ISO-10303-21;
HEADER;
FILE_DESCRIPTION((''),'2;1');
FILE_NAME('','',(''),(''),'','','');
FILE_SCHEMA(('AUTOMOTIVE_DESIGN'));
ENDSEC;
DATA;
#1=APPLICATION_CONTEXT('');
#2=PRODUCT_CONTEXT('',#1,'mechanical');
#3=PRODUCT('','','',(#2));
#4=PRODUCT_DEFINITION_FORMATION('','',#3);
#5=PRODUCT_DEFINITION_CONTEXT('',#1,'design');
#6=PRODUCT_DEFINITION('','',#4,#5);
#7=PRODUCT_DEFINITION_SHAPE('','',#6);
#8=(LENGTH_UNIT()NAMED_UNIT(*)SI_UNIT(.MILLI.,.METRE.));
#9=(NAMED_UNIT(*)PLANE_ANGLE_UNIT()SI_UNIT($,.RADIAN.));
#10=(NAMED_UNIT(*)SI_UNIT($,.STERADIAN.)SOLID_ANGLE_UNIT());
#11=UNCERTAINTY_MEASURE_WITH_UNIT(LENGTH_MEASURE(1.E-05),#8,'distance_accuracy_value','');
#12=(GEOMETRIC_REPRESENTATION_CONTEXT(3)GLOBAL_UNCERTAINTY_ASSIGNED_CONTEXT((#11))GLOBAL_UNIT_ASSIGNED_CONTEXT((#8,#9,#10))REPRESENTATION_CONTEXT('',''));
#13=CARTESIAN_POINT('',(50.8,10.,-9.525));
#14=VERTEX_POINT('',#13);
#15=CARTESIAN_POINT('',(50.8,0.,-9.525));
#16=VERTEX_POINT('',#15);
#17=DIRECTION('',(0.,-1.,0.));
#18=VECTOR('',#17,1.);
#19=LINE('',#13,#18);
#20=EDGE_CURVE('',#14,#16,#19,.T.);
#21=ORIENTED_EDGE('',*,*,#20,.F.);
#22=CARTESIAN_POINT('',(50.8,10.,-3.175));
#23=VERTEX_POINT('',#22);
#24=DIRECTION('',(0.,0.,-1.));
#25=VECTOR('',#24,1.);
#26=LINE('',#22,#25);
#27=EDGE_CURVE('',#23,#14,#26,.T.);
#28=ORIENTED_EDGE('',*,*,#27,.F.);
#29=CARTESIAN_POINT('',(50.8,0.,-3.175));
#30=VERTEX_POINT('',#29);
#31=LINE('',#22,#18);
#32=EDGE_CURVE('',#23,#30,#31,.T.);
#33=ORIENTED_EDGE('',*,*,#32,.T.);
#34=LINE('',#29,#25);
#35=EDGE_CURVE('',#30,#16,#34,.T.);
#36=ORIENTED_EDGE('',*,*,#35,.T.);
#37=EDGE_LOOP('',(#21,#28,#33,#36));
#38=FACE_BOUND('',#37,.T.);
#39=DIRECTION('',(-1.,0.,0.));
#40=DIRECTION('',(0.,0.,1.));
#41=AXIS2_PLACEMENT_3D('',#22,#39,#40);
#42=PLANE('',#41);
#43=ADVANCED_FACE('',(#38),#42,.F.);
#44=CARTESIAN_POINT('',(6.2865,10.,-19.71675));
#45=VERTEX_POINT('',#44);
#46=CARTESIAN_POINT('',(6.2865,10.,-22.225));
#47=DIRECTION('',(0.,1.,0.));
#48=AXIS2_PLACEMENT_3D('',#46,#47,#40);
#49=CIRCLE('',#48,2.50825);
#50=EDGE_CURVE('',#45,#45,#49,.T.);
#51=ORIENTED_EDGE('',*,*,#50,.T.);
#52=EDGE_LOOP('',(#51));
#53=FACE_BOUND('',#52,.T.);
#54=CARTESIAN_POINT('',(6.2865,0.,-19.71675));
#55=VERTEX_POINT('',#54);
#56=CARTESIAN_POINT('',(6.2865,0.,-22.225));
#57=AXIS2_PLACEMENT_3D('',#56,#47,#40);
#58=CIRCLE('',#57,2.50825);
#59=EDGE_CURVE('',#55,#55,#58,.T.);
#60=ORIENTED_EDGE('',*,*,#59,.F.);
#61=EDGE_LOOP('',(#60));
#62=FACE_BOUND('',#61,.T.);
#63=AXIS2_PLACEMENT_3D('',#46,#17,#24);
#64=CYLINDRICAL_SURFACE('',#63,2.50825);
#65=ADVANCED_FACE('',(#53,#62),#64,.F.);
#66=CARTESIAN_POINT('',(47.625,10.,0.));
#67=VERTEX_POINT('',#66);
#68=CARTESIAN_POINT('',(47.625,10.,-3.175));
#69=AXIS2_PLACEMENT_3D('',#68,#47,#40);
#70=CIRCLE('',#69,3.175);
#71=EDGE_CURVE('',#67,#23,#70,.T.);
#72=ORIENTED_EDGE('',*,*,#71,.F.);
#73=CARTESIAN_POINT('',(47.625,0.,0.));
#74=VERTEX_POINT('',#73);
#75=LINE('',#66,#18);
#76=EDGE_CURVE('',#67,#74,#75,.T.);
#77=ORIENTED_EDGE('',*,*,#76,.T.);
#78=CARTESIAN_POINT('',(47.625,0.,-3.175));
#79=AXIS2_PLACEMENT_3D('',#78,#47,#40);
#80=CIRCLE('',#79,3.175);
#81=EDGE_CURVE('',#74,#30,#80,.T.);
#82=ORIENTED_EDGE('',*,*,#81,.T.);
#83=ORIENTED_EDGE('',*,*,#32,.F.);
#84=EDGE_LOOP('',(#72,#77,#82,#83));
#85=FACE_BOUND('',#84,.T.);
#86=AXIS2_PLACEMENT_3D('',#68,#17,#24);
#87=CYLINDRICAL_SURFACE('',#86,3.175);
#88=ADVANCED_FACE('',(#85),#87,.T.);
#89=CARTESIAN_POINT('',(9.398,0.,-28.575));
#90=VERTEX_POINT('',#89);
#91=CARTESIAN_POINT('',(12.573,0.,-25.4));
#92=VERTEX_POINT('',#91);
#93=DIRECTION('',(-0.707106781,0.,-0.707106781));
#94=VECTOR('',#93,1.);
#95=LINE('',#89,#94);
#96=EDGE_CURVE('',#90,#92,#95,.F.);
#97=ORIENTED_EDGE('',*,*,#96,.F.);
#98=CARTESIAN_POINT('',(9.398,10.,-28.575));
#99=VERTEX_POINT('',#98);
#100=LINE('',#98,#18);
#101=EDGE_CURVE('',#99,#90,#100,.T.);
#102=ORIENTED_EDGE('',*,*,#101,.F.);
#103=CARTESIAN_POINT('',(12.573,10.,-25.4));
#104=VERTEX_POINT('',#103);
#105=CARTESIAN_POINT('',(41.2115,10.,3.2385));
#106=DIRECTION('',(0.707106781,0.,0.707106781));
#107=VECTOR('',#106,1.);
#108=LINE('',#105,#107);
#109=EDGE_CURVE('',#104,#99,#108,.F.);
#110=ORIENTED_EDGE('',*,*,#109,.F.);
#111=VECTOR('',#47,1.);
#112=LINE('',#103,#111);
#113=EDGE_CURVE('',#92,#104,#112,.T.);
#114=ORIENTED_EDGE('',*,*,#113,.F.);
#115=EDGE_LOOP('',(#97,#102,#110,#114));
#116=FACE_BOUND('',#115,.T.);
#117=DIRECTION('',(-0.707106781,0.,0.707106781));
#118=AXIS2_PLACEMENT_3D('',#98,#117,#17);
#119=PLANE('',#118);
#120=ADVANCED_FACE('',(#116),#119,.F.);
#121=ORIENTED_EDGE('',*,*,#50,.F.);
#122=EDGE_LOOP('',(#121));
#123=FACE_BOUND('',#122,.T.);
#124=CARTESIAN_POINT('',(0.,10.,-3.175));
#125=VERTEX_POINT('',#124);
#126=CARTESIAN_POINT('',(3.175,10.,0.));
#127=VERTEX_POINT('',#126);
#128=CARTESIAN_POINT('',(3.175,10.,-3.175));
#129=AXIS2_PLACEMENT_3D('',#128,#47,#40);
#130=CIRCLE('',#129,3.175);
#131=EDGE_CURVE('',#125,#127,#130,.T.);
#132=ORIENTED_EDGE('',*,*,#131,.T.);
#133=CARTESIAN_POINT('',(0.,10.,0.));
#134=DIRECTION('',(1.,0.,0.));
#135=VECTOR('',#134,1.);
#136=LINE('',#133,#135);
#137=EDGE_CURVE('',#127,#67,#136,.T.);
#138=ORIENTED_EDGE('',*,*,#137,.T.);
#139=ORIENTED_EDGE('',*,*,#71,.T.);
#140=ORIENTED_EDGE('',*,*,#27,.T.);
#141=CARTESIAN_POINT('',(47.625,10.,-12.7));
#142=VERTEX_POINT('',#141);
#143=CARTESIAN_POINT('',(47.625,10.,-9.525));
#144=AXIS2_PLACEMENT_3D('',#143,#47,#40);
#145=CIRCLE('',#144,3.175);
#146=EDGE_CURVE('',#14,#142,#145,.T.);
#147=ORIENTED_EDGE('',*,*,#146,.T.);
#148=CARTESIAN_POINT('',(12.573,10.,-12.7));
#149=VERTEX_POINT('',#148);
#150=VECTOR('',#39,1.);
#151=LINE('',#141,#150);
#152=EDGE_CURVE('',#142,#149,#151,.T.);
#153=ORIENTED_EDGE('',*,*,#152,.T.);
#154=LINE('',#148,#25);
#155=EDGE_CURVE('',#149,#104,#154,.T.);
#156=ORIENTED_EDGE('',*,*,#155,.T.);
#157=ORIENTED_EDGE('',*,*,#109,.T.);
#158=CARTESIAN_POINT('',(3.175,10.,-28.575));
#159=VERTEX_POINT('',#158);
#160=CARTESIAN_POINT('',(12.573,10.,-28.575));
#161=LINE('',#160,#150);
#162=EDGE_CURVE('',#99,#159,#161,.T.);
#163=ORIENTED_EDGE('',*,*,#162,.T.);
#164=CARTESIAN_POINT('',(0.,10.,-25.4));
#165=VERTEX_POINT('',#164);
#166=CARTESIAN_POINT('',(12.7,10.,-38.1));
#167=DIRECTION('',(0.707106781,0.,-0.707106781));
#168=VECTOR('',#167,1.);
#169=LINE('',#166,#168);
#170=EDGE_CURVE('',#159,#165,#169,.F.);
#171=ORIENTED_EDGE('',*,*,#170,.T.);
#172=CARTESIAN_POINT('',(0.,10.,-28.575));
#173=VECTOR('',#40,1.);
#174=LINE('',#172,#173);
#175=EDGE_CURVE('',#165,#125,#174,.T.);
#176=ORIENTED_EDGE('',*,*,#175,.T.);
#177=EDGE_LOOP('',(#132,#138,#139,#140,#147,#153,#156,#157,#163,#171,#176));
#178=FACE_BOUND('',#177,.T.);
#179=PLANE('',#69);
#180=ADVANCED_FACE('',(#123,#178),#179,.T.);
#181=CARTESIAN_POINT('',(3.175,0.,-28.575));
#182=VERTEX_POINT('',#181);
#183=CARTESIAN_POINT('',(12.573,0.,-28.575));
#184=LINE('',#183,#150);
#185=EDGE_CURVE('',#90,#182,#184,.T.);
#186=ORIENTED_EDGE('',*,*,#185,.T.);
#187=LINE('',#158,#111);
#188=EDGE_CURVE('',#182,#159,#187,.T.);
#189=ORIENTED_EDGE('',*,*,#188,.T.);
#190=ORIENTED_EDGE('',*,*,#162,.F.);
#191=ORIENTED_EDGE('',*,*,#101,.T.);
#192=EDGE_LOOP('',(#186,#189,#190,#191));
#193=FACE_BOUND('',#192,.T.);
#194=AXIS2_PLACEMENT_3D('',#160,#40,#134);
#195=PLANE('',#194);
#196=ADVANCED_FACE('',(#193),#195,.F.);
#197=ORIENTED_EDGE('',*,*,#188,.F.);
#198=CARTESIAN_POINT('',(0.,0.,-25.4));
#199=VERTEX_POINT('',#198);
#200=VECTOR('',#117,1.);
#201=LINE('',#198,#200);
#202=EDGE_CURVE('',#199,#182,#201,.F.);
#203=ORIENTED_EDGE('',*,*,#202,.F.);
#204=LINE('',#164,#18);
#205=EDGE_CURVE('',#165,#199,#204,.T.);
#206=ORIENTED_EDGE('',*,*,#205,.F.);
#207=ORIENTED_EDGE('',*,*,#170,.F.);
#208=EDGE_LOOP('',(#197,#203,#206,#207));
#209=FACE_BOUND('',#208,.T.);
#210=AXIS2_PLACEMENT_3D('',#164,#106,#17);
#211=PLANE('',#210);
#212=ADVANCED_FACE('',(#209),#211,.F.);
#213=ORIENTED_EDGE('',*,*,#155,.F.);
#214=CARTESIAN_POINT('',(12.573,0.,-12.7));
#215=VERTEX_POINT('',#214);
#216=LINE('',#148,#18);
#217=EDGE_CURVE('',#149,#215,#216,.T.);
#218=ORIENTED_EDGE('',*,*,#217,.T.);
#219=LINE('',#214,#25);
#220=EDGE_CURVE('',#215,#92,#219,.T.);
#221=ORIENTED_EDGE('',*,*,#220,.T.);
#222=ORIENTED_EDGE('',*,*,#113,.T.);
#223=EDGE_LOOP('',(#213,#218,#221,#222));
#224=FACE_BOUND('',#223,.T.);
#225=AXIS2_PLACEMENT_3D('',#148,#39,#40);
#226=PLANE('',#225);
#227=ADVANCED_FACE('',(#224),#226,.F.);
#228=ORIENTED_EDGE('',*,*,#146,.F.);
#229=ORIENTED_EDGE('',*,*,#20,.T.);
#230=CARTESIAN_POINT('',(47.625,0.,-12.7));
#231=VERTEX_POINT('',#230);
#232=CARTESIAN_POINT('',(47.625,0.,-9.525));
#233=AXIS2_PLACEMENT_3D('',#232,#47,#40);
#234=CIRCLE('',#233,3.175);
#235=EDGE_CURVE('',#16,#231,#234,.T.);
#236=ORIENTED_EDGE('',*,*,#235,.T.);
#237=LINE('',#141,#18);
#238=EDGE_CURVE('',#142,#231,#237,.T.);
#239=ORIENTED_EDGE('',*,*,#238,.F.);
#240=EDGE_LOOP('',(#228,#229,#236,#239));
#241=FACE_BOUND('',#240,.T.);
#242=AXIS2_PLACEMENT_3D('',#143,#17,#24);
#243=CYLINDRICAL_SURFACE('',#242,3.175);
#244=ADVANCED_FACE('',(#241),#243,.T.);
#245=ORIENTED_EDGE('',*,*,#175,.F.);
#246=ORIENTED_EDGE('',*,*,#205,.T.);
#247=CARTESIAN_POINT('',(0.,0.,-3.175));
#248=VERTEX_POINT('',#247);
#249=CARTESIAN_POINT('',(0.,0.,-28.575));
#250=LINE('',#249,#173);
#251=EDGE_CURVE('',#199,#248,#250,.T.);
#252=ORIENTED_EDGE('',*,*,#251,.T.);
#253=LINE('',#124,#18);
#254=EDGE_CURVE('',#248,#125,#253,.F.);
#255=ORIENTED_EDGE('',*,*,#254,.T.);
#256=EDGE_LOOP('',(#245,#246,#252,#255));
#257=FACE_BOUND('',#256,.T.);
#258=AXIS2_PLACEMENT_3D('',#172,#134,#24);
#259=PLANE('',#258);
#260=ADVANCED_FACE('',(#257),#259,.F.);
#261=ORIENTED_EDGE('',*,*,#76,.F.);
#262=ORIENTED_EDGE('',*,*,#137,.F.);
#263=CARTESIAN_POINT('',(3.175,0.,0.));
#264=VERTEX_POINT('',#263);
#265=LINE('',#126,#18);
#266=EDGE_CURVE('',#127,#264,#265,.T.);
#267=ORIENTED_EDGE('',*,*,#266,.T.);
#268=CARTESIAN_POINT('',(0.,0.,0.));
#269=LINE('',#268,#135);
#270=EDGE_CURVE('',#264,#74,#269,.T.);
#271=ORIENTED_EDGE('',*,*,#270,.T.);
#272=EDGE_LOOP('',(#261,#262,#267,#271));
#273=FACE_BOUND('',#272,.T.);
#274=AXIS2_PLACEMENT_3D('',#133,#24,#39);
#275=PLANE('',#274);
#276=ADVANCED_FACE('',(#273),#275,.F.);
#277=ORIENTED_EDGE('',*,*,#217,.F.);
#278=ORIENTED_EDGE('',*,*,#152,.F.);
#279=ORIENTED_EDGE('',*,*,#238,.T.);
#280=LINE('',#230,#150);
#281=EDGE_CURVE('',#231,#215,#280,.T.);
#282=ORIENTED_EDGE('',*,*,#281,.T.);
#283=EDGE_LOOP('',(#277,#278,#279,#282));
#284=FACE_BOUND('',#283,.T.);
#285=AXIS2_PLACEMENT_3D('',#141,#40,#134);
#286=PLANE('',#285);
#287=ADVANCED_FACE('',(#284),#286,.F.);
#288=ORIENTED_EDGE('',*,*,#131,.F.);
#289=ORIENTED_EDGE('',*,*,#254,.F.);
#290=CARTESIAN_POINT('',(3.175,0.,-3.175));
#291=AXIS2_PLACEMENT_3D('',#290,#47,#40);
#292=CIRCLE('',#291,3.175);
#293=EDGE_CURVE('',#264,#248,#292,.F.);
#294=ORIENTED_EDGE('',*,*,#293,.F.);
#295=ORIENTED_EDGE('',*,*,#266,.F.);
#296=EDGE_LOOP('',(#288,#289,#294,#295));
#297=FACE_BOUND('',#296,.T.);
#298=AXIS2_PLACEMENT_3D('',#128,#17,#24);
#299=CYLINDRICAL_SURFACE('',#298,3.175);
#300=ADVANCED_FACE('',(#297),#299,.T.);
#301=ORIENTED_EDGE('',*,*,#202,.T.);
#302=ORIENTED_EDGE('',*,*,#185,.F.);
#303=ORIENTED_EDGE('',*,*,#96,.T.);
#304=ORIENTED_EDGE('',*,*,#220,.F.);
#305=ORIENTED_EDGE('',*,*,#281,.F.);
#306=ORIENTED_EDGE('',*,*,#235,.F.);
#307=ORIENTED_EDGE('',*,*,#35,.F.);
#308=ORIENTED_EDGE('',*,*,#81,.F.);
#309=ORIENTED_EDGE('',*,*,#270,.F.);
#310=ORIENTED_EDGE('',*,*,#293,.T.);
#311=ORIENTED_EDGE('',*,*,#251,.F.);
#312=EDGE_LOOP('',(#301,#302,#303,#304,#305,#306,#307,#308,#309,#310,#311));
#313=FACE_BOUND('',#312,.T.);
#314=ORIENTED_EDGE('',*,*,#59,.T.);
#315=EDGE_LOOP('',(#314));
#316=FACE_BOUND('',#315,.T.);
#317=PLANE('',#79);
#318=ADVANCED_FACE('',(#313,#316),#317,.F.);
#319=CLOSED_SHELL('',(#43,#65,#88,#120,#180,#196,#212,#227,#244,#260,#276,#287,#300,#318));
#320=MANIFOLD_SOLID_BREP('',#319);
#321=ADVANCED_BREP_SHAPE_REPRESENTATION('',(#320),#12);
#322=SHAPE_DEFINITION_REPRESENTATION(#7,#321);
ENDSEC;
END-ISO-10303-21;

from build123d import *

# Parameters (mm, degrees)
SKETCH1_R           = 2.50825
BOSS_EXTRUDE1_DEPTH = 10
FILLET1_R           = 3.175
CHAMFER1_SIZE       = 3.175


with BuildPart() as part:
    # Sketch1 → Boss-Extrude1 (new body)
    with BuildSketch(Plane(origin=(0, 0, 0), x_dir=(1, 0, 0), z_dir=(0, 1, 0))):
        with BuildLine():
            Line((0, 28.575), (0, 0))
            Line((0, 0), (47.625, 0))
            ThreePointArc((47.625, 0), (49.87006403, 0.92993597), (50.8, 3.175))
            Line((50.8, 3.175), (50.8, 9.525))
            ThreePointArc((50.8, 9.525), (49.87006403, 11.77006403), (47.625, 12.7))
            Line((47.625, 12.7), (12.573, 12.7))
            Line((12.573, 12.7), (12.573, 28.575))
            Line((12.573, 28.575), (0, 28.575))
        make_face()
        with Locations((6.2865, 22.225)):
            Circle(SKETCH1_R, mode=Mode.SUBTRACT)
    extrude(amount=BOSS_EXTRUDE1_DEPTH)

    # Fillet1
    fillet1_edges = [part.edges().sort_by_distance(p)[0] for p in [
        (0, 5, 0),
    ]]
    fillet(fillet1_edges, radius=FILLET1_R)

    # Chamfer1
    chamfer1_edges = [part.edges().sort_by_distance(p)[0] for p in [
        (12.573, 5, -28.575),
        (0, 5, -28.575),
    ]]
    chamfer(chamfer1_edges, length=CHAMFER1_SIZE)


solid = part.part
